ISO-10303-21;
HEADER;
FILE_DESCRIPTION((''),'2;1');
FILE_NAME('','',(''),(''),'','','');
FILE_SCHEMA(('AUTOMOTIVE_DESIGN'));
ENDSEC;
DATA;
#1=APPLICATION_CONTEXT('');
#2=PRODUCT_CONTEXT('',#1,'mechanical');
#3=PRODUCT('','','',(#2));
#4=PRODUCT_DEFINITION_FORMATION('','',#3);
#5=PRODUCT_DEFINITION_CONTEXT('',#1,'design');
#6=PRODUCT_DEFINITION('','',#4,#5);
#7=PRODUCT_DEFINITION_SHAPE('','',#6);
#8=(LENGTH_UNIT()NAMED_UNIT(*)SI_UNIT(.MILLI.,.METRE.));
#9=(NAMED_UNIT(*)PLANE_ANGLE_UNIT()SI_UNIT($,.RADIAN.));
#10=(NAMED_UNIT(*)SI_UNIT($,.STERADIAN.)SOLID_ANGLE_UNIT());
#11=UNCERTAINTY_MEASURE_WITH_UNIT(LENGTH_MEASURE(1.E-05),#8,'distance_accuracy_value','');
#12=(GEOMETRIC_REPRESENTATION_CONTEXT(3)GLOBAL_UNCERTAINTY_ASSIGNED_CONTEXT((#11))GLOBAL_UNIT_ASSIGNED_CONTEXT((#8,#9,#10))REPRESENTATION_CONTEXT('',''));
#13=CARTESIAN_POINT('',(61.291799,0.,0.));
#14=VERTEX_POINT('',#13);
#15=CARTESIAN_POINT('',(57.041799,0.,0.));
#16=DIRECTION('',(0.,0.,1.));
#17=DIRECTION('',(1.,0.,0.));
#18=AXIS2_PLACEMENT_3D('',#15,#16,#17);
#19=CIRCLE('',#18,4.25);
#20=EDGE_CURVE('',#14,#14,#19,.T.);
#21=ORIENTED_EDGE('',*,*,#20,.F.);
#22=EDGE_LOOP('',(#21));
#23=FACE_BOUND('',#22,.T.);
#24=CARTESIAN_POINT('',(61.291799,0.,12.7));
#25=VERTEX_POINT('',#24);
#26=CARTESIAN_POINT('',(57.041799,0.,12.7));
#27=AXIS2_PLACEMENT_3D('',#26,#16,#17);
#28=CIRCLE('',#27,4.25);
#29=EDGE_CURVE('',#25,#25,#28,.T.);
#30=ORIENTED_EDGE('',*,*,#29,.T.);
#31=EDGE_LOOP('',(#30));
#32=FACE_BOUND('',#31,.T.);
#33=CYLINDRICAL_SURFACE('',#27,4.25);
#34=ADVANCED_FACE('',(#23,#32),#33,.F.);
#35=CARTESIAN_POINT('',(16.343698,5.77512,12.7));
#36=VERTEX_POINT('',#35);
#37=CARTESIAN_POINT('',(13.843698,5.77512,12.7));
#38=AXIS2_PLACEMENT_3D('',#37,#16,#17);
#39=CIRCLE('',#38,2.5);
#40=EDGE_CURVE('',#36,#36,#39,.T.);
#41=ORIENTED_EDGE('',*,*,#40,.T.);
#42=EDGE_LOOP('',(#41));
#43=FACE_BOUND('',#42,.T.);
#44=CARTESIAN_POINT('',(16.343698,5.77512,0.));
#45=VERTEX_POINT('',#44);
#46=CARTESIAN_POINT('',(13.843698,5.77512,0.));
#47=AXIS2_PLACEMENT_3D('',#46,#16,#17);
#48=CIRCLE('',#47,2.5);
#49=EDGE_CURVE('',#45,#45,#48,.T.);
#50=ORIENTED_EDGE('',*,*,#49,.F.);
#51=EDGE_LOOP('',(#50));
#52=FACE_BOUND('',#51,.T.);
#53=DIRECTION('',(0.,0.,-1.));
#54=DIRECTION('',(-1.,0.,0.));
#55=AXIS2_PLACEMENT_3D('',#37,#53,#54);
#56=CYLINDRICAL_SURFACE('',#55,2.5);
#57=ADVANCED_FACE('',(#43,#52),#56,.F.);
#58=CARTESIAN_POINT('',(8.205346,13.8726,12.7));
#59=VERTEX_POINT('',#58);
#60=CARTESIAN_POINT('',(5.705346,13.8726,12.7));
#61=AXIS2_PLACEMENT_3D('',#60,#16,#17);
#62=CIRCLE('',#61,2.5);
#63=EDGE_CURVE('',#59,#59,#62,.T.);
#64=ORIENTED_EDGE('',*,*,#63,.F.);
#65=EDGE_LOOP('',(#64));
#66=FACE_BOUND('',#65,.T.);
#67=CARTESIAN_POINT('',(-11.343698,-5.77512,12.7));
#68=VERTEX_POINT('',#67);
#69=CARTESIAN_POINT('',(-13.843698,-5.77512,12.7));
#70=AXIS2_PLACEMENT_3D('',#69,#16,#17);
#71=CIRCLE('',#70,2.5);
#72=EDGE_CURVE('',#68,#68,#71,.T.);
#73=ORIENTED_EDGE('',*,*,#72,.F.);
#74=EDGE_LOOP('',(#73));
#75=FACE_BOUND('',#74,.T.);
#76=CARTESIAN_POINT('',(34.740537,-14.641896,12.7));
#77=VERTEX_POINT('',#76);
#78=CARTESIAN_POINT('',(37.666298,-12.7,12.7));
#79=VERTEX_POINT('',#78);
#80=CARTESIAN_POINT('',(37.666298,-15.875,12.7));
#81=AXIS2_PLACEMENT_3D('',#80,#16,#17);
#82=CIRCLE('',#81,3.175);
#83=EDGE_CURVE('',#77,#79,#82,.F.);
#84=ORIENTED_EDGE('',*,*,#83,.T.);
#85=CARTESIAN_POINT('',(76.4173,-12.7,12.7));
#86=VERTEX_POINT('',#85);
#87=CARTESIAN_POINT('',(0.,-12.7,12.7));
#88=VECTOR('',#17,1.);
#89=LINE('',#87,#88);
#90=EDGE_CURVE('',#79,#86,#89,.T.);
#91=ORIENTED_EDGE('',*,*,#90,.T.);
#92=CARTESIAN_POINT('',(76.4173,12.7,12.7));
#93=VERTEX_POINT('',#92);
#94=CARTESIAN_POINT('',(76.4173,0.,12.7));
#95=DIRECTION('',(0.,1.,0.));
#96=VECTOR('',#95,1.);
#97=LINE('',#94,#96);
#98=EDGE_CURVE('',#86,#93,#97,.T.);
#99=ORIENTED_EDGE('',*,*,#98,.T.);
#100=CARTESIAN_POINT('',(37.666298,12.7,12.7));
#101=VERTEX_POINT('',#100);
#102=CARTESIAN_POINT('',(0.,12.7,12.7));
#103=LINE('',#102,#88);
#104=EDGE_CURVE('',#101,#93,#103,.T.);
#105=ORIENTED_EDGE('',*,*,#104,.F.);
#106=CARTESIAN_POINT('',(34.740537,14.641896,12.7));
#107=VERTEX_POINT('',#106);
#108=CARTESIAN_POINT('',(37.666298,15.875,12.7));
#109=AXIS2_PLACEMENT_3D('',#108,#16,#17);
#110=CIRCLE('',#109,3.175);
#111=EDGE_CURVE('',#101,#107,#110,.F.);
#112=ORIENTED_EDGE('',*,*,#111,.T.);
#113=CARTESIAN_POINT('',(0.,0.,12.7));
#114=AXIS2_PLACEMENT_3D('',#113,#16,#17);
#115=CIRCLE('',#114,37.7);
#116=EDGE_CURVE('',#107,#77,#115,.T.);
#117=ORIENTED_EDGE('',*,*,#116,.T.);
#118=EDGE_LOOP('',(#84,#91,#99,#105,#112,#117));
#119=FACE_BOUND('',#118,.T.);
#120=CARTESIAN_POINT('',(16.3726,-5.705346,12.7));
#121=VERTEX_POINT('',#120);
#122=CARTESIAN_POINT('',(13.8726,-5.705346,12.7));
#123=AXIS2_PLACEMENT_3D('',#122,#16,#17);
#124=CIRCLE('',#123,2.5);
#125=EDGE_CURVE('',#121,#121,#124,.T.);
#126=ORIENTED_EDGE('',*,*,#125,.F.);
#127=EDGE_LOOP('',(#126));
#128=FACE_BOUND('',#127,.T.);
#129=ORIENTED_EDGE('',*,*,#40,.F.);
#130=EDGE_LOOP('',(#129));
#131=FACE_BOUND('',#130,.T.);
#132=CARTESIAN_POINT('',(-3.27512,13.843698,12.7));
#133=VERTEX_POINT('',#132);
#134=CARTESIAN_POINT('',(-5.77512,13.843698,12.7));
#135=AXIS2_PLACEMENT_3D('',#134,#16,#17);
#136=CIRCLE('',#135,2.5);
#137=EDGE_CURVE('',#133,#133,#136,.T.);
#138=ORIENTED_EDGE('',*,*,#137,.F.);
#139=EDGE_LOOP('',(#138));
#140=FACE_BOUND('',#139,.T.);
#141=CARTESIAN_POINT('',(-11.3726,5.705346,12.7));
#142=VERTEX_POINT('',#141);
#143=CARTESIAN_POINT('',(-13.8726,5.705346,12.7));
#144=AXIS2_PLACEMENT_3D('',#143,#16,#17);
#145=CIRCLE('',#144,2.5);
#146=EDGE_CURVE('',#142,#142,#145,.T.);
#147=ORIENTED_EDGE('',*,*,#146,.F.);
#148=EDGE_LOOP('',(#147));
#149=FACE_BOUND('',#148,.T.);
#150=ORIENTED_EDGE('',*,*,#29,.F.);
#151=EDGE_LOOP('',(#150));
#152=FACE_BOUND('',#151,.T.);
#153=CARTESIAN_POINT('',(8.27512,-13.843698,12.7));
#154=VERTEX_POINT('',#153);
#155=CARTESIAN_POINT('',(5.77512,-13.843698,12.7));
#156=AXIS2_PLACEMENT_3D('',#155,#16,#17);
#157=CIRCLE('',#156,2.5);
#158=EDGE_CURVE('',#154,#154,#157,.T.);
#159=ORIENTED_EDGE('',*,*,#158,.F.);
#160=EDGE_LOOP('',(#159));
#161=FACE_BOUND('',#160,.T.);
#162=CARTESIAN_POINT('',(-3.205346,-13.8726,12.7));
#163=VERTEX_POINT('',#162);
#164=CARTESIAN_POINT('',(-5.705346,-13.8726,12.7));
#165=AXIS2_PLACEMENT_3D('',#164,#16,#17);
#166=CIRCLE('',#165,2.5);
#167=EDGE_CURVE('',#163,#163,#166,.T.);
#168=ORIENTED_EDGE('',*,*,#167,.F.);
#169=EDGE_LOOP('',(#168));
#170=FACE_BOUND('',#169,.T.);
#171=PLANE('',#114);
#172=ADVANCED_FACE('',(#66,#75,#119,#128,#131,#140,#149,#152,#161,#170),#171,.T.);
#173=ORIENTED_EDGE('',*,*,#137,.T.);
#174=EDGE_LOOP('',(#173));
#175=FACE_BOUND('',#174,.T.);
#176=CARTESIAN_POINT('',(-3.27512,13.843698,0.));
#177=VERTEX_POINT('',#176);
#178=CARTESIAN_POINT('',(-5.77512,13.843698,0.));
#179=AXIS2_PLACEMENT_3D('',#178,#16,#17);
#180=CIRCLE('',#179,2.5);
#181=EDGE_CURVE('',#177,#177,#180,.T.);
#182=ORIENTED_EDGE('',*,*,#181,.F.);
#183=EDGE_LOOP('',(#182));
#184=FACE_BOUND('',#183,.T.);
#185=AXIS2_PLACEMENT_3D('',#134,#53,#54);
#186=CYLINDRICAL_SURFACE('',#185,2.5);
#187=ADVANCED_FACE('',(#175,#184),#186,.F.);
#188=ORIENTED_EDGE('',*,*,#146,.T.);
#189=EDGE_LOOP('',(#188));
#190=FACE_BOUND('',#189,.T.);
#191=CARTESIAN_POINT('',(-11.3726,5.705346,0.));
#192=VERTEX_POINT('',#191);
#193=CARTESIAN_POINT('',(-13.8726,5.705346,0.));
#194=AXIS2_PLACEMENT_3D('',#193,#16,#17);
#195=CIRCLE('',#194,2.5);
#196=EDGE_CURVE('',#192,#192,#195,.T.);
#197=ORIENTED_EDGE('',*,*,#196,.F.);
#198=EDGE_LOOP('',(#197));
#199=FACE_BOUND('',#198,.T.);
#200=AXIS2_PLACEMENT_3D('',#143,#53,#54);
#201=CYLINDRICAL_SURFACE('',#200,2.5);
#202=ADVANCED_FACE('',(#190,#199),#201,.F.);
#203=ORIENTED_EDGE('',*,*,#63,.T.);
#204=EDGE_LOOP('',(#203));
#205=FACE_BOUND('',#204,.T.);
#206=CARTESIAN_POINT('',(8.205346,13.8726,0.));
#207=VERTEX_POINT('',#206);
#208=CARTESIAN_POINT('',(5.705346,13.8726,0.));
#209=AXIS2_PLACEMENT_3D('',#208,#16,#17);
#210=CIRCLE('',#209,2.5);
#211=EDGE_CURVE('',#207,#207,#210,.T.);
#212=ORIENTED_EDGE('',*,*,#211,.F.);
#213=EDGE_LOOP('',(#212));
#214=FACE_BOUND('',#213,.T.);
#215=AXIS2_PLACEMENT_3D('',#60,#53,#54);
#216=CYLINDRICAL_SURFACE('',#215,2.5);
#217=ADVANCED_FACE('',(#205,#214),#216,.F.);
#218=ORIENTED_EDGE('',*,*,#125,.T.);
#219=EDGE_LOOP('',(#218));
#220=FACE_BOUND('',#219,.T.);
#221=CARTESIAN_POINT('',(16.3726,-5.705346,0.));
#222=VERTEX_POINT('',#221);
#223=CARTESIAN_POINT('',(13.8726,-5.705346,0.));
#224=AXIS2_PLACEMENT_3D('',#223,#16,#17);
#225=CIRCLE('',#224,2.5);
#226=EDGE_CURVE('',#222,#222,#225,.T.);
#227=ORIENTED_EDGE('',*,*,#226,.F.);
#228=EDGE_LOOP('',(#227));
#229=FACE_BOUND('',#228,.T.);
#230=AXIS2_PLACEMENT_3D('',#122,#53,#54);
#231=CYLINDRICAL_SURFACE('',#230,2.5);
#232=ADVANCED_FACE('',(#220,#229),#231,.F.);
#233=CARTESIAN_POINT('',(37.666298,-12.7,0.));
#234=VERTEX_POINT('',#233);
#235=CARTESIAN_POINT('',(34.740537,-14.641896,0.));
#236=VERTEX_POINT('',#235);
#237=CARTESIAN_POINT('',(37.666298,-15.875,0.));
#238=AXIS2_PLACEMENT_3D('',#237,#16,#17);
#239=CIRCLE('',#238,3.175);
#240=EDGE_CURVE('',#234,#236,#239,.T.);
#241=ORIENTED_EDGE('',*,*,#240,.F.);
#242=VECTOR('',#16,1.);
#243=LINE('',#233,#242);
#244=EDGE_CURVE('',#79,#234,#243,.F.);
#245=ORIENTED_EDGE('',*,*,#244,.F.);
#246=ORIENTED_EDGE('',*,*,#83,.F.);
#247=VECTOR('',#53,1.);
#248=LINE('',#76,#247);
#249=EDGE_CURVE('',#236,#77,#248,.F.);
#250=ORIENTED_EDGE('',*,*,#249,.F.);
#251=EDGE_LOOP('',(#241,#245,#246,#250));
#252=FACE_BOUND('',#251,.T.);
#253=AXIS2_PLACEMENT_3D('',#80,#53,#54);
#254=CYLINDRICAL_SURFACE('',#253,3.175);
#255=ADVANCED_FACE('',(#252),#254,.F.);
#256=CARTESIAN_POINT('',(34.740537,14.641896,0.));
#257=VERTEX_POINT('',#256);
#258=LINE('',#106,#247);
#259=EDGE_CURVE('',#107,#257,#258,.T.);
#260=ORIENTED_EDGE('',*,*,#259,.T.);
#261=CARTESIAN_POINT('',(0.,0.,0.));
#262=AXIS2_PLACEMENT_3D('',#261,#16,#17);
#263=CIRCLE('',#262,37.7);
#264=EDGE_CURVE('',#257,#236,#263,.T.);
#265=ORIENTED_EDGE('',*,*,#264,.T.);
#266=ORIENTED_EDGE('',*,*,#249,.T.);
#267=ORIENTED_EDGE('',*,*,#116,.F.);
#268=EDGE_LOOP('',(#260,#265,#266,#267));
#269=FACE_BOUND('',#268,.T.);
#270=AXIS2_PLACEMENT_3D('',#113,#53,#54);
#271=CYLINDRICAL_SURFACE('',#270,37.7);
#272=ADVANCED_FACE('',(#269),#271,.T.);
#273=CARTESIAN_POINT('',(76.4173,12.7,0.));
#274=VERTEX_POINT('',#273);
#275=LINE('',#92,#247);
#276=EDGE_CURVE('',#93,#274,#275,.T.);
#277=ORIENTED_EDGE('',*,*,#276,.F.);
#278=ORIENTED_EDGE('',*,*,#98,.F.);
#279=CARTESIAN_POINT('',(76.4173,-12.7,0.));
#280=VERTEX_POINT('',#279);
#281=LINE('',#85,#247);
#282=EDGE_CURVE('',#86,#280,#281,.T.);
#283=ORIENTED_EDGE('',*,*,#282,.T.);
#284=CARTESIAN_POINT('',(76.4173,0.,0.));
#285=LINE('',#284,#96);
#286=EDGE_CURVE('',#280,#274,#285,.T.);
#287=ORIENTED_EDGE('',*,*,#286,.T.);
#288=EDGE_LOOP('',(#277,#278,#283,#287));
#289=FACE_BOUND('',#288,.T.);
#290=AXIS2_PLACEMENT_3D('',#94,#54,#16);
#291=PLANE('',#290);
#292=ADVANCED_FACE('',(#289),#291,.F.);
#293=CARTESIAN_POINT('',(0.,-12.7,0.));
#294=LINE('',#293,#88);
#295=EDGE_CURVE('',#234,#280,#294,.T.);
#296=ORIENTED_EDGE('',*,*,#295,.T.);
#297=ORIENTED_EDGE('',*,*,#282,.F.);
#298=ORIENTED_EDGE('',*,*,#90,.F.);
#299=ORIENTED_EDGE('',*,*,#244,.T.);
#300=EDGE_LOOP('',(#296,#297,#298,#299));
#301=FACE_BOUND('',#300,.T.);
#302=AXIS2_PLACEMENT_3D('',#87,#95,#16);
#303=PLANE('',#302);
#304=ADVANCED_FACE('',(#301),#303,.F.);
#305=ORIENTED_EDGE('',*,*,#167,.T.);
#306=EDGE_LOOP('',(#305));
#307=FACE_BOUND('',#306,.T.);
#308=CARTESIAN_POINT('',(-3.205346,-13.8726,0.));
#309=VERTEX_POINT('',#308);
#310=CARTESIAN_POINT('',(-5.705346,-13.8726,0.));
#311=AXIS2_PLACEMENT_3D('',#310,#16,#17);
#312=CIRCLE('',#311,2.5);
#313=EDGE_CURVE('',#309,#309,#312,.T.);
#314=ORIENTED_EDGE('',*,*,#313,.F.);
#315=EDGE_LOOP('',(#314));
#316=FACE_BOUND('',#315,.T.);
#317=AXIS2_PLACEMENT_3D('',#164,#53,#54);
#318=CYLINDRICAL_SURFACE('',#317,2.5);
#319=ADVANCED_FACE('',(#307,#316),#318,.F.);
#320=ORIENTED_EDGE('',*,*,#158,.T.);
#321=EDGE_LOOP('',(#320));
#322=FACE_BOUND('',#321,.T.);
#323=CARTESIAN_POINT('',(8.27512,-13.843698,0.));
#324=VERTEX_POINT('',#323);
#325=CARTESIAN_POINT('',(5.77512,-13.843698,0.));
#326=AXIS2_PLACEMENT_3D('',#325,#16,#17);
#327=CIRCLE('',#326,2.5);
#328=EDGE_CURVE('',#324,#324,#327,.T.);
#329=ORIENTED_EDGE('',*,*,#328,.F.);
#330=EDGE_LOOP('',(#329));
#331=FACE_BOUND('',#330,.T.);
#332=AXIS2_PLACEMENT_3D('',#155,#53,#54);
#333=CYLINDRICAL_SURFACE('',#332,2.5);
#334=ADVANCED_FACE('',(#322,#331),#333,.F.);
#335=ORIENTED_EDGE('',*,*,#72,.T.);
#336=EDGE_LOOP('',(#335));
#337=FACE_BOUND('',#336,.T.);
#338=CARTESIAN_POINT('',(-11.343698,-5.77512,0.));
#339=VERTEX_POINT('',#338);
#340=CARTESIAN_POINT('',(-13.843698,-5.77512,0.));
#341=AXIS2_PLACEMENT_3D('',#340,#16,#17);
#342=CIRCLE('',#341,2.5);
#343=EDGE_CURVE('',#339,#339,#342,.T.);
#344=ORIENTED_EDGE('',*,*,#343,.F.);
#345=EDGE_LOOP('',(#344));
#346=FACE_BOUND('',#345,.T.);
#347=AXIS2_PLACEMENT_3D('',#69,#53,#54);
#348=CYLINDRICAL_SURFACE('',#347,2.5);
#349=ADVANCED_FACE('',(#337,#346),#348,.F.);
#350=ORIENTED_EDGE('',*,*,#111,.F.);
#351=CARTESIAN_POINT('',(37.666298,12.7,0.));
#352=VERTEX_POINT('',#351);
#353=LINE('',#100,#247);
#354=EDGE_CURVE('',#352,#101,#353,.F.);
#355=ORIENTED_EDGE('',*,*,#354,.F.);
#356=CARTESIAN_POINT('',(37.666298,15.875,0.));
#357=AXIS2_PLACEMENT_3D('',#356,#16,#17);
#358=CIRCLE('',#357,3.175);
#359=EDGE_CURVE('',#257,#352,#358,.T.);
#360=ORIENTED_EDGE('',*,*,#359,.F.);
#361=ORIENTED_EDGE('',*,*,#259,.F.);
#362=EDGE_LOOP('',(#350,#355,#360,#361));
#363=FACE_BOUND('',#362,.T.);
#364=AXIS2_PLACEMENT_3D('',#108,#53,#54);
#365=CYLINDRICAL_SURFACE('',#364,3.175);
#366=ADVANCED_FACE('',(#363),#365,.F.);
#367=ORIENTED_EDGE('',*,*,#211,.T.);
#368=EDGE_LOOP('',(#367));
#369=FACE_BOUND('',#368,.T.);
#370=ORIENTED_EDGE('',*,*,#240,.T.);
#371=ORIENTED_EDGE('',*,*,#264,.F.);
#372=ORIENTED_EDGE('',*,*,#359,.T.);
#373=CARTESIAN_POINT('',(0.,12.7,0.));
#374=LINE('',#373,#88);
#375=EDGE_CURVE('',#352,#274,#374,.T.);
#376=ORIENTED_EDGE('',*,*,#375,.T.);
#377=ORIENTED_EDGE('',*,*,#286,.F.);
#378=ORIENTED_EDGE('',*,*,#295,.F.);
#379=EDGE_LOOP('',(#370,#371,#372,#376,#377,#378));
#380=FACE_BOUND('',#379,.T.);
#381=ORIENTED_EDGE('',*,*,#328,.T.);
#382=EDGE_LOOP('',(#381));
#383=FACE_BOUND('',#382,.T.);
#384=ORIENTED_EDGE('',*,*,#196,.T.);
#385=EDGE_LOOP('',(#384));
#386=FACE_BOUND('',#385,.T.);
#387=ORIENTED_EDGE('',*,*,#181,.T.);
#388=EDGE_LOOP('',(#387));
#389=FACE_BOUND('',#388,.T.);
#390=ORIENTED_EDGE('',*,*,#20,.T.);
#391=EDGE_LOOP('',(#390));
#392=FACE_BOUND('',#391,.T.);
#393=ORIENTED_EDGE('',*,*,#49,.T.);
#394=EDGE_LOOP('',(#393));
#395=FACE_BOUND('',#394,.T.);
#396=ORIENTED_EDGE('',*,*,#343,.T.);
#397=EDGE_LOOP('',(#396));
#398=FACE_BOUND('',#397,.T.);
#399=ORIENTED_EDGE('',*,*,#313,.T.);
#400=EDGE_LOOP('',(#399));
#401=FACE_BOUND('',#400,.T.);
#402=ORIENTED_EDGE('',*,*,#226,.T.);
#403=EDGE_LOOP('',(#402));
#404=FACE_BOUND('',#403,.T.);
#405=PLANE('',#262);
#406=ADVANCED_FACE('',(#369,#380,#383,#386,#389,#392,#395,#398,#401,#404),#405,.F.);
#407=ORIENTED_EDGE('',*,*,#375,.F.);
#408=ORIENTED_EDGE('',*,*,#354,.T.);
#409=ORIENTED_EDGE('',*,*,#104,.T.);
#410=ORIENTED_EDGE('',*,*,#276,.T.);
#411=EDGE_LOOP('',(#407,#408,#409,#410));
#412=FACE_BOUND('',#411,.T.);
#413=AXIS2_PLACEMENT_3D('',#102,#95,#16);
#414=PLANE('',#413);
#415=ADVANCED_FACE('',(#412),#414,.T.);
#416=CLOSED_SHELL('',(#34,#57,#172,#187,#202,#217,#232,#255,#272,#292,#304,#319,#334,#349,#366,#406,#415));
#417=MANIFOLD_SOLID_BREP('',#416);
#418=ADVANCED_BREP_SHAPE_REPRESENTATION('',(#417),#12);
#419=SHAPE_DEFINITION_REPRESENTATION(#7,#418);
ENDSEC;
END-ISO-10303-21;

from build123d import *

# Parameters (mm, degrees)
SKETCH1_R                        = 2.5
BOSS_EXTRUDE1_DEPTH              = 12.7
FILLET1_R                        = 3.175
TAP_DRILL_FOR_M10X1_5_TAP1_D     = 8.5
TAP_DRILL_FOR_M10X1_5_TAP1_DEPTH = 20
TAP_DRILL_FOR_M10X1_5_TAP1_TIP   = 2.553657631


with BuildPart() as part:
    # Sketch1 → Boss-Extrude1 (new body)
    with BuildSketch(Plane.XY):
        with BuildLine():
            ThreePointArc((25, 0), (24.117920391, -6.582242475), (21.53392672, -12.7))
            Line((21.53392672, -12.7), (35.496478699, -12.7))
            ThreePointArc((35.496478699, -12.7), (37.145034977, -6.444872111), (37.7, 0))
            ThreePointArc((37.7, 0), (37.145034977, 6.444872111), (35.496478699, 12.7))
            Line((35.496478699, 12.7), (21.53392672, 12.7))
            ThreePointArc((21.53392672, 12.7), (24.117920391, 6.582242475), (25, 0))
        make_face()
        with BuildLine():
            Line((35.496478699, -12.7), (21.53392672, -12.7))
            ThreePointArc((21.53392672, -12.7), (-25, 0), (21.53392672, 12.7))
            Line((21.53392672, 12.7), (35.496478699, 12.7))
            ThreePointArc((35.496478699, 12.7), (-37.7, 0), (35.496478699, -12.7))
        make_face()
        with BuildLine():
            ThreePointArc((37.7, 0), (37.145034977, -6.444872111), (35.496478699, -12.7))
            Line((35.496478699, -12.7), (76.417300015, -12.7))
            Line((76.417300015, -12.7), (76.417300015, 12.7))
            Line((76.417300015, 12.7), (35.496478699, 12.7))
            ThreePointArc((35.496478699, 12.7), (37.145034977, 6.444872111), (37.7, 0))
        make_face()
        with BuildLine():
            Line((-1.017300015, 12.7), (-1.017300015, -12.7))
            Line((-1.017300015, -12.7), (3.552069768, -12.7))
            ThreePointArc((3.552069768, -12.7), (5.775120383, -11.34369837), (7.998170999, -12.7))
            Line((7.998170999, -12.7), (21.53392672, -12.7))
            ThreePointArc((21.53392672, -12.7), (24.117920391, -6.582242475), (25, 0))
            ThreePointArc((25, 0), (24.117920391, 6.582242475), (21.53392672, 12.7))
            Line((21.53392672, 12.7), (7.913288635, 12.7))
            ThreePointArc((7.913288635, 12.7), (5.705346209, 11.372599779), (3.497403783, 12.7))
            Line((3.497403783, 12.7), (-1.017300015, 12.7))
        make_face()
        with Locations((13.872599779, -5.705346209)):
            Circle(SKETCH1_R, mode=Mode.SUBTRACT)
        with Locations((13.84369837, 5.775120383)):
            Circle(SKETCH1_R, mode=Mode.SUBTRACT)
        with BuildLine():
            Line((3.552069768, -12.7), (-1.017300015, -12.7))
            Line((-1.017300015, -12.7), (-1.017300015, 12.7))
            Line((-1.017300015, 12.7), (3.497403783, 12.7))
            ThreePointArc((3.497403783, 12.7), (5.101134353, 16.29848684), (8.205346209, 13.872599779))
            ThreePointArc((8.205346209, 13.872599779), (8.13123327, 13.268387923), (7.913288635, 12.7))
            Line((7.913288635, 12.7), (21.53392672, 12.7))
            ThreePointArc((21.53392672, 12.7), (-25, 0), (21.53392672, -12.7))
            Line((21.53392672, -12.7), (7.998170999, -12.7))
            ThreePointArc((7.998170999, -12.7), (8.204896766, -13.255322019), (8.275120383, -13.84369837))
            ThreePointArc((8.275120383, -13.84369837), (5.186744032, -16.273474753), (3.552069768, -12.7))
        make_face()
        with Locations((-13.84369837, -5.775120383)):
            Circle(SKETCH1_R, mode=Mode.SUBTRACT)
        with Locations((-5.705346209, -13.872599779)):
            Circle(SKETCH1_R, mode=Mode.SUBTRACT)
        with Locations((-13.872599779, 5.705346209)):
            Circle(SKETCH1_R, mode=Mode.SUBTRACT)
        with Locations((-5.775120383, 13.84369837)):
            Circle(SKETCH1_R, mode=Mode.SUBTRACT)
    extrude(amount=BOSS_EXTRUDE1_DEPTH)

    # Fillet1
    fillet1_edges = [part.edges().sort_by_distance(p)[0] for p in [
        (35.496478699, 12.7, 6.35),
        (35.496478699, -12.7, 6.35),
    ]]
    fillet(fillet1_edges, radius=FILLET1_R)

    # Tap Drill for M10x1.5 Tap1
    with Locations(Plane.XY.offset(12.7)):
        with Locations((57.041798974, 0)):
            Hole(TAP_DRILL_FOR_M10X1_5_TAP1_D / 2, depth=TAP_DRILL_FOR_M10X1_5_TAP1_DEPTH)
            with Locations((0, 0, -(TAP_DRILL_FOR_M10X1_5_TAP1_DEPTH + TAP_DRILL_FOR_M10X1_5_TAP1_TIP / 2))):  # 118° drill point
                Cone(0, TAP_DRILL_FOR_M10X1_5_TAP1_D / 2, TAP_DRILL_FOR_M10X1_5_TAP1_TIP, mode=Mode.SUBTRACT)


solid = part.part
